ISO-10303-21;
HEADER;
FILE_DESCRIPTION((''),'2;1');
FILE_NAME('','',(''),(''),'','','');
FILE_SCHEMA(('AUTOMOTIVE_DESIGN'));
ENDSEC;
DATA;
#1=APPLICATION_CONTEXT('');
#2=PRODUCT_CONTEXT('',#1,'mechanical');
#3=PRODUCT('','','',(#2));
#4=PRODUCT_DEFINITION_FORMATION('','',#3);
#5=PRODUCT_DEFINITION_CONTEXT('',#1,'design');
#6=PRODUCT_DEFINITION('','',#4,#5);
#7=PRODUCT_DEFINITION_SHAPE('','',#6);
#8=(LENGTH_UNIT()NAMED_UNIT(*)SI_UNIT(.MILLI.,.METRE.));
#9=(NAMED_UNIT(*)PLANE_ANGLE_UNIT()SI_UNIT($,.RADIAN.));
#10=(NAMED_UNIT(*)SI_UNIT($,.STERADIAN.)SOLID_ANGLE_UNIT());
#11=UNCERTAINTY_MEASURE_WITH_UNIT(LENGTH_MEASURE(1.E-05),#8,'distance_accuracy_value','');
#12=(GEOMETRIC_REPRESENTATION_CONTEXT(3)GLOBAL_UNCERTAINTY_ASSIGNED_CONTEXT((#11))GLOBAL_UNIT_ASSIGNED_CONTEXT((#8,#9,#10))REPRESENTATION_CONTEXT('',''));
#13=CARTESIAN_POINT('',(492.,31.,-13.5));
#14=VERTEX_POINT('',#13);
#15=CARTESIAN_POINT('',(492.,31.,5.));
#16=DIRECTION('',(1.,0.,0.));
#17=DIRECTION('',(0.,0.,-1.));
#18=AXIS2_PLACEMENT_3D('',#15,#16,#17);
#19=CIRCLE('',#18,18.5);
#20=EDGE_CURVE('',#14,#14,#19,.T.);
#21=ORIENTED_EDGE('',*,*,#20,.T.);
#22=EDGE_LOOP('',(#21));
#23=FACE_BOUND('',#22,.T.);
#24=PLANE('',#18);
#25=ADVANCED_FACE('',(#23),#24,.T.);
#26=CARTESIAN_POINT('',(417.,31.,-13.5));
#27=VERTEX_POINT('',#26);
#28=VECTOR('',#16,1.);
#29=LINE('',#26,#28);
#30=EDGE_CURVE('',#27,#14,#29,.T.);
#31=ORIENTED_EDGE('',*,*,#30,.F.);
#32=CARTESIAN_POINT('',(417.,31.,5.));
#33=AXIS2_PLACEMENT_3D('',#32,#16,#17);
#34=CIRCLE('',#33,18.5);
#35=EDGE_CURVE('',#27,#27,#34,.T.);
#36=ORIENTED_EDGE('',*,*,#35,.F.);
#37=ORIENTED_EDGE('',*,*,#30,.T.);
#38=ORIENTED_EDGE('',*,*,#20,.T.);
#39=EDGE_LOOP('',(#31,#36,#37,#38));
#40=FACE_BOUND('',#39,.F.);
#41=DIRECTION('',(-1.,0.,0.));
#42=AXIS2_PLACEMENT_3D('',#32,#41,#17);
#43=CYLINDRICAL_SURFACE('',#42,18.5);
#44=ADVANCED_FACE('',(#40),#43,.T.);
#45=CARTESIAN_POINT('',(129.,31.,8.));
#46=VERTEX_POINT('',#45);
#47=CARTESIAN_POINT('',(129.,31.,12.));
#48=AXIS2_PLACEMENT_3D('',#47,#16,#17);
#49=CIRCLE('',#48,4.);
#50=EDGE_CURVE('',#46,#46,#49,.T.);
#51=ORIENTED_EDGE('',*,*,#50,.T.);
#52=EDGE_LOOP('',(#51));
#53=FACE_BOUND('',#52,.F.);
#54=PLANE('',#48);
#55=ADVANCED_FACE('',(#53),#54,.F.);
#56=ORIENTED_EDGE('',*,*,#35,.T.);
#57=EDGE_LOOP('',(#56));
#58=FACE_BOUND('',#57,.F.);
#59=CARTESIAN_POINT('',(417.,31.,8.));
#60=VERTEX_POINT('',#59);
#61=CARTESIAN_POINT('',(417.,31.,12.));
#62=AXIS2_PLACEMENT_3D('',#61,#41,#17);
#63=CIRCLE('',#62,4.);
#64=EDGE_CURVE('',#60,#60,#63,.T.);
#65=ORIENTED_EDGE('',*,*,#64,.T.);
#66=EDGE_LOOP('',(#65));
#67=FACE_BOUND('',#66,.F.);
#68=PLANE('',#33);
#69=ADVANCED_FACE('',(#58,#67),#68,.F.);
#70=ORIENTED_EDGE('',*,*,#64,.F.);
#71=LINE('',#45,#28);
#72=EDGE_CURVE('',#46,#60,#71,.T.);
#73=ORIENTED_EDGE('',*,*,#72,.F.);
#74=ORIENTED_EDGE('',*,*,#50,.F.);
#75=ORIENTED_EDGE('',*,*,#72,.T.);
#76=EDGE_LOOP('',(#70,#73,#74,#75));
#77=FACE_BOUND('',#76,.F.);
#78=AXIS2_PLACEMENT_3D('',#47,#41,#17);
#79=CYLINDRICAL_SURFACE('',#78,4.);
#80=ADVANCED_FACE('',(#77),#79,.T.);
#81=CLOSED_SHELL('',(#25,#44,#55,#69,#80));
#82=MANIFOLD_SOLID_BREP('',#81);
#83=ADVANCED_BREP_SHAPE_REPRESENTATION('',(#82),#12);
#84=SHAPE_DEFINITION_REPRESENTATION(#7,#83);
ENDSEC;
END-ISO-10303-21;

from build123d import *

# Parameters (mm, degrees)
CYLINDER049_R     = 18.5
CYLINDER049_DEPTH = 75
CYLINDER048_R     = 4
CYLINDER048_DEPTH = 350


with BuildPart() as cylinder049:
    # Cylinder049 → Cylinder049 (new body)
    with BuildSketch(Plane(origin=(336, 31, 5), x_dir=(0, 0, -1), z_dir=(1, 0, 0))):
        Circle(CYLINDER049_R)
    extrude(amount=CYLINDER049_DEPTH)


with BuildPart() as motor_threaded_bar_metal:
    # Cylinder048 → Cylinder048 (new body)
    with BuildSketch(Plane(origin=(48, 31, 12), x_dir=(0, 0, -1), z_dir=(1, 0, 0))):
        Circle(CYLINDER048_R)
    extrude(amount=CYLINDER048_DEPTH)

    # Fusion147: union Cylinder049
    add(cylinder049.part)


with BuildPart() as motor_threaded_bar_metal_1:
    # Fusion147 placement: moved
    add(motor_threaded_bar_metal.part.moved(Location((81, 0, 0))))


solid = motor_threaded_bar_metal_1.part
